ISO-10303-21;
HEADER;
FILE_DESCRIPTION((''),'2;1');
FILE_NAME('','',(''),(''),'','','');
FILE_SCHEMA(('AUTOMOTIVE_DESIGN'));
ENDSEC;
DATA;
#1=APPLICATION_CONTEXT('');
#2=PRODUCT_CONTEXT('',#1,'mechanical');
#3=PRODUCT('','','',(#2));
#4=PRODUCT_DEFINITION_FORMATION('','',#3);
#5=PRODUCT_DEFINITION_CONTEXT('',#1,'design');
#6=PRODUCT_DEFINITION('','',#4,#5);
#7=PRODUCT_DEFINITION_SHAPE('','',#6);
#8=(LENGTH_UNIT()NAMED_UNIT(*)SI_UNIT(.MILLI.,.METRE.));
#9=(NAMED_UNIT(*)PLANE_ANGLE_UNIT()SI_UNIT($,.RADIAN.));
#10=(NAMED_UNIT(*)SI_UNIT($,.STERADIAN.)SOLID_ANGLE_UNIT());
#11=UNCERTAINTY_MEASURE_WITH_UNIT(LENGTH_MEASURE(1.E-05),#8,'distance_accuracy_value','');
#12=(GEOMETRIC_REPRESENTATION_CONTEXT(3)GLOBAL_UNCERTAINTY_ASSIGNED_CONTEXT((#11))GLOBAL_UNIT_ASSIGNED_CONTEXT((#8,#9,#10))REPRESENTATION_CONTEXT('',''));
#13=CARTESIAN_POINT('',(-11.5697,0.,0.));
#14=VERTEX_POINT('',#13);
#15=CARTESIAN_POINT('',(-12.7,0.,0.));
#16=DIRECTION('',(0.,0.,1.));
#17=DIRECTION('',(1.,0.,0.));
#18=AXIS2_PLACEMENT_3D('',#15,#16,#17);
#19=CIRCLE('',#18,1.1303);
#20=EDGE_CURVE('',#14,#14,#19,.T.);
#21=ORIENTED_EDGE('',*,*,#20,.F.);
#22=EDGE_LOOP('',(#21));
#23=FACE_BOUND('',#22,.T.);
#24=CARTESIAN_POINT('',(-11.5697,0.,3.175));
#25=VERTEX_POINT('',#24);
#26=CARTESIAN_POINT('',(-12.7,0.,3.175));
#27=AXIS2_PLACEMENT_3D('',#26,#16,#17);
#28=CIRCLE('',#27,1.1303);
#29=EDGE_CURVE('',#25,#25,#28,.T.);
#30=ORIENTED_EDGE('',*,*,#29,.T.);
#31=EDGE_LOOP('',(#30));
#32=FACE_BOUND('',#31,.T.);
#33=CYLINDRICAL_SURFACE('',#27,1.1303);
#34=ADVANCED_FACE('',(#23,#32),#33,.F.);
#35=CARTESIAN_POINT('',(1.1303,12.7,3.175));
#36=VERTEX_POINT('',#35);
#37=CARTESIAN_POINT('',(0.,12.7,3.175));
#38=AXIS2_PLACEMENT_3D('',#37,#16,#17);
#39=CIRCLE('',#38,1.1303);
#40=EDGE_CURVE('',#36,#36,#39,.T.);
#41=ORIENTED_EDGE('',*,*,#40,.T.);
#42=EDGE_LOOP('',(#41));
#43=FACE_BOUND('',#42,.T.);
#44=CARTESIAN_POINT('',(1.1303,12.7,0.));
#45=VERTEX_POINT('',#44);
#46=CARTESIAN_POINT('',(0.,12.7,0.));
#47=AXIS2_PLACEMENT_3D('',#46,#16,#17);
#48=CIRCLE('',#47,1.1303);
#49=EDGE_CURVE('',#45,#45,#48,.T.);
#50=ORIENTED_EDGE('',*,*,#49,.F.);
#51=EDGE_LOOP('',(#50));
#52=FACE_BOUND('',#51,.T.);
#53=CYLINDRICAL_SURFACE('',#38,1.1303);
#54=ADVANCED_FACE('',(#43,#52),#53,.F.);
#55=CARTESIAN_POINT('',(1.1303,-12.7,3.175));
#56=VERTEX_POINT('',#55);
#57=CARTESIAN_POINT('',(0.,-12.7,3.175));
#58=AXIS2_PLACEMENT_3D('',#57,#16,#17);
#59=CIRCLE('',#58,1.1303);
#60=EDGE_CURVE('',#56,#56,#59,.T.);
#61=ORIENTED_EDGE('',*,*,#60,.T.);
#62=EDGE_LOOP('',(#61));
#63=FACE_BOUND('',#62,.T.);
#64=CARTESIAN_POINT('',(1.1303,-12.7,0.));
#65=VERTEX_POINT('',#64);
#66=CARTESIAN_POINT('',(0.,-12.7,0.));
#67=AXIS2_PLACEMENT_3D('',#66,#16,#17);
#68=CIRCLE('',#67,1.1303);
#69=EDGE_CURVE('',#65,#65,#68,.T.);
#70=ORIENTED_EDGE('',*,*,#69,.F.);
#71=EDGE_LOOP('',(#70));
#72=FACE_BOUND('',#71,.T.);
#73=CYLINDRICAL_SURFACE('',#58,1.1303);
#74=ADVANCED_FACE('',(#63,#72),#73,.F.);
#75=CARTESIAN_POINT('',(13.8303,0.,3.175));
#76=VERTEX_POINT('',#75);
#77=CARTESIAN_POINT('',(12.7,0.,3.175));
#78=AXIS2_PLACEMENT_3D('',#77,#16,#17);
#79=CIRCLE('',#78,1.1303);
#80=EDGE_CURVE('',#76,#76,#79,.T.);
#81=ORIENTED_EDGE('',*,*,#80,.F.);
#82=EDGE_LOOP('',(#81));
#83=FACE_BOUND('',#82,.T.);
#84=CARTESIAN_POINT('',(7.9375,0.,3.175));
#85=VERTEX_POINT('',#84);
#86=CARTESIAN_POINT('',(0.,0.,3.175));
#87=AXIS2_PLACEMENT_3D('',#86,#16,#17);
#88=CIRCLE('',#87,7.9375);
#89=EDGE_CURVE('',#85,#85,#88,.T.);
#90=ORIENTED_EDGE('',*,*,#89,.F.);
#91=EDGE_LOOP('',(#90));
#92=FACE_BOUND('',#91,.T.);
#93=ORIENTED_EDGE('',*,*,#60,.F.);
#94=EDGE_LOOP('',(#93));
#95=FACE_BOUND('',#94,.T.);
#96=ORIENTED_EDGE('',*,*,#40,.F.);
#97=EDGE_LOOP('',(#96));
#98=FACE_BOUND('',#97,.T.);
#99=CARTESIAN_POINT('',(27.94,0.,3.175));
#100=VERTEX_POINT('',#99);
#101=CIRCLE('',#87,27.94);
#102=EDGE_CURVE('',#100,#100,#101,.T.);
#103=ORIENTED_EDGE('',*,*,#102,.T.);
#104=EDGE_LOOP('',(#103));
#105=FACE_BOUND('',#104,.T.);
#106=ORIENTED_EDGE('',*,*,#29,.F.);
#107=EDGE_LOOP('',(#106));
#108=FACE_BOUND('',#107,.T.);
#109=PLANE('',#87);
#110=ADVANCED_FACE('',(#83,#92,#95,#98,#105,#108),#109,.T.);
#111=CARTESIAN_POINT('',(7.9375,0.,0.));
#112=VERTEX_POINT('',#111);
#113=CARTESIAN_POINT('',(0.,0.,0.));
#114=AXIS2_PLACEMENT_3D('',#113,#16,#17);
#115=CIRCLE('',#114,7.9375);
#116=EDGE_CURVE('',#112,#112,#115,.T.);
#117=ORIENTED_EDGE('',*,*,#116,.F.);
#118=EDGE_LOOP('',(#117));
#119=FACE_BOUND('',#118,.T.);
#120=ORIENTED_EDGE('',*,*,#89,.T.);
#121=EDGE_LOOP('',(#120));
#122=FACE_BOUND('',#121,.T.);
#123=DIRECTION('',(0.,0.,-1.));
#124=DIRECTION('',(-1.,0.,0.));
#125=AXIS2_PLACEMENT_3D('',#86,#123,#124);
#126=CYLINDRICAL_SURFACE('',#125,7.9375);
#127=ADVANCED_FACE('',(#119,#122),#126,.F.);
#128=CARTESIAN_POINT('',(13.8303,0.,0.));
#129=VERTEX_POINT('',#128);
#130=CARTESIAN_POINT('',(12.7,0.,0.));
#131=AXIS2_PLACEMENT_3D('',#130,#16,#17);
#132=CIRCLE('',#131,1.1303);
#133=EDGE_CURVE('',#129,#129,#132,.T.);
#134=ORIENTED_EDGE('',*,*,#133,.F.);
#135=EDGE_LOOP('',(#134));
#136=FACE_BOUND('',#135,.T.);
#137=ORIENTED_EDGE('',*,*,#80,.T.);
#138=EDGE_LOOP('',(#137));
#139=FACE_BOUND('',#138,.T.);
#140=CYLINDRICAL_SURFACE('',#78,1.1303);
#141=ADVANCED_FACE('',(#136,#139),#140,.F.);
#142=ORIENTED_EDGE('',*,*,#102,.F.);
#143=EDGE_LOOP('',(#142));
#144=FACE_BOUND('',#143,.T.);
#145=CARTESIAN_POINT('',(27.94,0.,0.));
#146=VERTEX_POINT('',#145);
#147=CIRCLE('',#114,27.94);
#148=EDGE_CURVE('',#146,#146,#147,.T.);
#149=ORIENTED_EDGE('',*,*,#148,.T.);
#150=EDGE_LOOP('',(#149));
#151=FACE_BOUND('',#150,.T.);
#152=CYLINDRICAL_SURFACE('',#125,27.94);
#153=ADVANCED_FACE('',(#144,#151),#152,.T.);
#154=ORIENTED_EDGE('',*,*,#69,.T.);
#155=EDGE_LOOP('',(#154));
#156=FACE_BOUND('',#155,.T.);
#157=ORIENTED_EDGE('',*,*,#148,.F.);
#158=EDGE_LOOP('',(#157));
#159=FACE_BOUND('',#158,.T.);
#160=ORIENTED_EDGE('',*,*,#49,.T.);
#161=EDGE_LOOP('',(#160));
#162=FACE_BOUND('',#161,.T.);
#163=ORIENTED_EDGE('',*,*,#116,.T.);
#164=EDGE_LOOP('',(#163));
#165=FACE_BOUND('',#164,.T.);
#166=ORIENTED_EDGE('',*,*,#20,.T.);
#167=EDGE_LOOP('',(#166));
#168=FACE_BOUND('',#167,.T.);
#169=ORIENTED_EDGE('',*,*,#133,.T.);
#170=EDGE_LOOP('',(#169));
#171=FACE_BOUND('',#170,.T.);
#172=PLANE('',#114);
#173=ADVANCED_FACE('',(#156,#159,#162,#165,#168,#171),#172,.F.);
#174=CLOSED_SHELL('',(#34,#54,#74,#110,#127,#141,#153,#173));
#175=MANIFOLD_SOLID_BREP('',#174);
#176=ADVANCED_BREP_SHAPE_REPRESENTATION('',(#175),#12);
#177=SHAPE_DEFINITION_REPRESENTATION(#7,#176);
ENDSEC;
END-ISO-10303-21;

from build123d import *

# Parameters (mm, degrees)
SKETCH1_R                     = 27.94
SKETCH1_R_2                   = 7.9375
BOSS_EXTRUDE1_DEPTH           = 3.175
TAP_DRILL_FOR_4_40_TAP1_D     = 2.2606
TAP_DRILL_FOR_4_40_TAP1_DEPTH = 4
TAP_DRILL_FOR_4_40_TAP1_TIP   = 0.679152758


with BuildPart() as part:
    # Sketch1 → Boss-Extrude1 (new body)
    with BuildSketch(Plane.XY):
        Circle(SKETCH1_R)
        Circle(SKETCH1_R_2, mode=Mode.SUBTRACT)
    extrude(amount=BOSS_EXTRUDE1_DEPTH)

    # Tap Drill for #4-40 Tap1
    with Locations(Plane.XY.offset(3.175)):
        with Locations((0, 12.7), (0, -12.7), (12.7, 0), (-12.7, 0)):
            Hole(TAP_DRILL_FOR_4_40_TAP1_D / 2, depth=TAP_DRILL_FOR_4_40_TAP1_DEPTH)
            with Locations((0, 0, -(TAP_DRILL_FOR_4_40_TAP1_DEPTH + TAP_DRILL_FOR_4_40_TAP1_TIP / 2))):  # 118° drill point
                Cone(0, TAP_DRILL_FOR_4_40_TAP1_D / 2, TAP_DRILL_FOR_4_40_TAP1_TIP, mode=Mode.SUBTRACT)


solid = part.part
